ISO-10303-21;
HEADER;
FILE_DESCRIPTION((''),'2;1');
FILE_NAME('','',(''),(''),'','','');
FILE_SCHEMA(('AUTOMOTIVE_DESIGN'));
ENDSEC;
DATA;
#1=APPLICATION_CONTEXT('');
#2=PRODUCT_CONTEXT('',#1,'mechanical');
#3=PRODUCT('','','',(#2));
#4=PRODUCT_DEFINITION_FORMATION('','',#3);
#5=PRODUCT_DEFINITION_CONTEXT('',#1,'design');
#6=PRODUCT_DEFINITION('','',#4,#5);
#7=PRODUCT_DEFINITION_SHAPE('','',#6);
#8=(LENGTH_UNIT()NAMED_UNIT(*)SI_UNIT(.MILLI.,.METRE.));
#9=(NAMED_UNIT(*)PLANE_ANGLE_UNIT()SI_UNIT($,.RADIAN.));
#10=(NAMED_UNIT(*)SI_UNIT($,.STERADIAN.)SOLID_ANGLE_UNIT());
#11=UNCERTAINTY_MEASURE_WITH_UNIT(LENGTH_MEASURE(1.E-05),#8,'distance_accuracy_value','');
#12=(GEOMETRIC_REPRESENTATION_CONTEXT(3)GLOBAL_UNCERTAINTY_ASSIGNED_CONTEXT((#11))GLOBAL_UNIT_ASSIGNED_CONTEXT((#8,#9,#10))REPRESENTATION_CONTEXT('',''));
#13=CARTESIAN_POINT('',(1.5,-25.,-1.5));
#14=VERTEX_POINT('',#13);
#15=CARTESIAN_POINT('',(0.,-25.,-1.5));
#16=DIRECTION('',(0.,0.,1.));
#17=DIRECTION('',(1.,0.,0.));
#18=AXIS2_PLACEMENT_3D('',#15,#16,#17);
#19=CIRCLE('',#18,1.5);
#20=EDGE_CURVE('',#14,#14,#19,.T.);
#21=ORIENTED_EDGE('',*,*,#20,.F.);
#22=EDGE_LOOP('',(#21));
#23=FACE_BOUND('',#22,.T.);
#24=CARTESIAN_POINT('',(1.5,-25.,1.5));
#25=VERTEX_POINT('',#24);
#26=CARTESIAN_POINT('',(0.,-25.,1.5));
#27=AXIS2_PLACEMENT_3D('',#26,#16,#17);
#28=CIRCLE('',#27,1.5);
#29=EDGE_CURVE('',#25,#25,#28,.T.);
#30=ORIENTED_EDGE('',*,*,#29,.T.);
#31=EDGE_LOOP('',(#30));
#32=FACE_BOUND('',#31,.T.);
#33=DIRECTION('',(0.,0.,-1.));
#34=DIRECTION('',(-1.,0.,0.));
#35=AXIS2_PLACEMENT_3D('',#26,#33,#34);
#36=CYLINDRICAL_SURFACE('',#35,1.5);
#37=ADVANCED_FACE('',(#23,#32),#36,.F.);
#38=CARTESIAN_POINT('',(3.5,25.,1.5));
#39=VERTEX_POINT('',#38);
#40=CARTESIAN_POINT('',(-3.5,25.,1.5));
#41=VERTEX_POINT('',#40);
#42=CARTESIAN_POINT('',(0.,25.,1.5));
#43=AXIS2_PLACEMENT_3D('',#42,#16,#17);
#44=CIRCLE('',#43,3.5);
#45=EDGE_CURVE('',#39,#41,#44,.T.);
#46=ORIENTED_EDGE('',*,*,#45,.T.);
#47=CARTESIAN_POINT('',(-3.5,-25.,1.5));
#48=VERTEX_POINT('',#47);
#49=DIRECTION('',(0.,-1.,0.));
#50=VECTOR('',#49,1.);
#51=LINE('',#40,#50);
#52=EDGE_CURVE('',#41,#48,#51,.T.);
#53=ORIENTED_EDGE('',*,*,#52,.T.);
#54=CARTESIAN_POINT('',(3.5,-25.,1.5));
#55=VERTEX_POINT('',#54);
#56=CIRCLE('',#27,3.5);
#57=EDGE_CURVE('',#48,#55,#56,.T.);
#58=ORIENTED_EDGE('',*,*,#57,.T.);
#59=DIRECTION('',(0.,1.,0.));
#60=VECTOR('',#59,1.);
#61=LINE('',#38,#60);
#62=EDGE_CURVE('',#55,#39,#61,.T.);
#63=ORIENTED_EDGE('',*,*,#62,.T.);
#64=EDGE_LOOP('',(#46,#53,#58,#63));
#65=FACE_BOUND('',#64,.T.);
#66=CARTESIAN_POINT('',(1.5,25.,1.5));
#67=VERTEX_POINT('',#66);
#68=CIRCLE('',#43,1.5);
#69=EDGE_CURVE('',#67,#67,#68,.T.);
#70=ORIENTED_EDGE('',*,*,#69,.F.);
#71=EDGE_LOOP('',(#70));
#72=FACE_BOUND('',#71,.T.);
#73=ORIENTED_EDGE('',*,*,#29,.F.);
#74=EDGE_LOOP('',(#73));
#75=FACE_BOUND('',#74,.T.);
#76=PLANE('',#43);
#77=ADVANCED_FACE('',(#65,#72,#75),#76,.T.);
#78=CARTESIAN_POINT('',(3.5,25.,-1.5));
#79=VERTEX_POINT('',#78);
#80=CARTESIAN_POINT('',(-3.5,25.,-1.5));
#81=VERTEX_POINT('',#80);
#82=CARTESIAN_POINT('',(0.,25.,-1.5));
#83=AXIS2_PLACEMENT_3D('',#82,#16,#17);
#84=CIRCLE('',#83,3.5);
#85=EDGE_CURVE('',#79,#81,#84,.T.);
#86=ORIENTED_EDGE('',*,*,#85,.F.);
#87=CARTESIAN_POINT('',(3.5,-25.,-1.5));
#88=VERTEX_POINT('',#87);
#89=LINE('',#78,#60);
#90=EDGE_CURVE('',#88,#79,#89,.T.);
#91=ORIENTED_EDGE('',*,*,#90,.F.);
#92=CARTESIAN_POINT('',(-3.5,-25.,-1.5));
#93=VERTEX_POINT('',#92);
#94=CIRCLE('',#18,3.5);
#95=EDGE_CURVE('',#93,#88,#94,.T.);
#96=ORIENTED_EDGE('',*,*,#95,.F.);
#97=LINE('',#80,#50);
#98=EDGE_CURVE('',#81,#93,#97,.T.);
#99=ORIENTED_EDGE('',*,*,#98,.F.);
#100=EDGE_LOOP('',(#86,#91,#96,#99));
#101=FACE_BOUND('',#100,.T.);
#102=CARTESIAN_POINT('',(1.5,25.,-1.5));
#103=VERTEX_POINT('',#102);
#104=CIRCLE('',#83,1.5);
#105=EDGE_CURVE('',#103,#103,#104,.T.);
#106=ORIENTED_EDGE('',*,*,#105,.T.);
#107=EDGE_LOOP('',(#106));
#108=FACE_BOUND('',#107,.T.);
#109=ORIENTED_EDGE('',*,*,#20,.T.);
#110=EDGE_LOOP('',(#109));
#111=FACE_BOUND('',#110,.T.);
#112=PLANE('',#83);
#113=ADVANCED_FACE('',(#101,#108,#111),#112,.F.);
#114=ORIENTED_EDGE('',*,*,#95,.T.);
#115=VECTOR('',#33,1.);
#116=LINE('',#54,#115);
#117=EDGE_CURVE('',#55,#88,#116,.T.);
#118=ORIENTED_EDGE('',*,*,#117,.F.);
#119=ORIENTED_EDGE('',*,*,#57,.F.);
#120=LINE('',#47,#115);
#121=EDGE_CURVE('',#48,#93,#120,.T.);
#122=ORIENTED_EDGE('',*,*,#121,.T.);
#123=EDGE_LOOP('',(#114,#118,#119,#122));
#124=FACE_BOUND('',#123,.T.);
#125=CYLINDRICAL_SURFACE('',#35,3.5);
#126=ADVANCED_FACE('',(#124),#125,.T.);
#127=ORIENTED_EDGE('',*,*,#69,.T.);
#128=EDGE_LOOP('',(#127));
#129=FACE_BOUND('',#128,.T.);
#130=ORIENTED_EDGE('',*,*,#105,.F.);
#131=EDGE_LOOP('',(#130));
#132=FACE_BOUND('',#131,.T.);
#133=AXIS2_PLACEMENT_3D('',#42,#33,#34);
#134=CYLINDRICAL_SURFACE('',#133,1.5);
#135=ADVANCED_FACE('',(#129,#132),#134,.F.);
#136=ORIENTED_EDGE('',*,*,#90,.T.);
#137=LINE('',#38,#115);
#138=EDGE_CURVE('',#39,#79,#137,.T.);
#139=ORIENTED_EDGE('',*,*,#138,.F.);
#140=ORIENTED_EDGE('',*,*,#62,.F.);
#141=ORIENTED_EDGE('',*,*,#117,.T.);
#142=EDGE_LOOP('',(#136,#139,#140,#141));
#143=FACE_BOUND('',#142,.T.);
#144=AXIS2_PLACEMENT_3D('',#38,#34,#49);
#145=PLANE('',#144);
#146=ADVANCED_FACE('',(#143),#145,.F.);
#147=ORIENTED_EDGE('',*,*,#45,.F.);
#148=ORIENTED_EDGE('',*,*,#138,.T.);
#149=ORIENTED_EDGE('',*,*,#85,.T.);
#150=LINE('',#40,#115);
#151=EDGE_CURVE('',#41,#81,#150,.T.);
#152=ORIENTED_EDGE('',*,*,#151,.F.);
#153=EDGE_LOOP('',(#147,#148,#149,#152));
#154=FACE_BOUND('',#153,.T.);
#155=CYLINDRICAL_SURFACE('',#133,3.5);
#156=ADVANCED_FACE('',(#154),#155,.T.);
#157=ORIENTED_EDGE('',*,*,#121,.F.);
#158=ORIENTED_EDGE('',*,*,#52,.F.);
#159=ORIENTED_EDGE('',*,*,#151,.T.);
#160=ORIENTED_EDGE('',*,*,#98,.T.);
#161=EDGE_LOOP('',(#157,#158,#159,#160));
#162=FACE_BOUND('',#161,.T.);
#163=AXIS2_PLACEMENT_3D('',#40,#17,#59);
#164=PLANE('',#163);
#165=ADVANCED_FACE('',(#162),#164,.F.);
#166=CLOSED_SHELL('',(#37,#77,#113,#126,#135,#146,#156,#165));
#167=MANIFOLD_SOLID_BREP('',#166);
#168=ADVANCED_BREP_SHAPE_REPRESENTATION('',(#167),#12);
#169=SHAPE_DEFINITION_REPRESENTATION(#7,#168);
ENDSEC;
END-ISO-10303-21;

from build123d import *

# Parameters (mm, degrees)
SKETCH1_R           = 1.5
BOSS_EXTRUDE1_DEPTH = 1.5


with BuildPart() as part:
    # Sketch1 → Boss-Extrude1 (new body, symmetric)
    with BuildSketch(Plane.XY):
        with BuildLine():
            Line((3.5, 25), (3.5, -25))
            ThreePointArc((3.5, -25), (0, -28.5), (-3.5, -25))
            Line((-3.5, -25), (-3.5, 25))
            ThreePointArc((-3.5, 25), (0, 28.5), (3.5, 25))
        make_face()
        with Locations((0, -25)):
            Circle(SKETCH1_R, mode=Mode.SUBTRACT)
        with Locations((0, 25)):
            Circle(SKETCH1_R, mode=Mode.SUBTRACT)
    extrude(amount=BOSS_EXTRUDE1_DEPTH, both=True)


solid = part.part
